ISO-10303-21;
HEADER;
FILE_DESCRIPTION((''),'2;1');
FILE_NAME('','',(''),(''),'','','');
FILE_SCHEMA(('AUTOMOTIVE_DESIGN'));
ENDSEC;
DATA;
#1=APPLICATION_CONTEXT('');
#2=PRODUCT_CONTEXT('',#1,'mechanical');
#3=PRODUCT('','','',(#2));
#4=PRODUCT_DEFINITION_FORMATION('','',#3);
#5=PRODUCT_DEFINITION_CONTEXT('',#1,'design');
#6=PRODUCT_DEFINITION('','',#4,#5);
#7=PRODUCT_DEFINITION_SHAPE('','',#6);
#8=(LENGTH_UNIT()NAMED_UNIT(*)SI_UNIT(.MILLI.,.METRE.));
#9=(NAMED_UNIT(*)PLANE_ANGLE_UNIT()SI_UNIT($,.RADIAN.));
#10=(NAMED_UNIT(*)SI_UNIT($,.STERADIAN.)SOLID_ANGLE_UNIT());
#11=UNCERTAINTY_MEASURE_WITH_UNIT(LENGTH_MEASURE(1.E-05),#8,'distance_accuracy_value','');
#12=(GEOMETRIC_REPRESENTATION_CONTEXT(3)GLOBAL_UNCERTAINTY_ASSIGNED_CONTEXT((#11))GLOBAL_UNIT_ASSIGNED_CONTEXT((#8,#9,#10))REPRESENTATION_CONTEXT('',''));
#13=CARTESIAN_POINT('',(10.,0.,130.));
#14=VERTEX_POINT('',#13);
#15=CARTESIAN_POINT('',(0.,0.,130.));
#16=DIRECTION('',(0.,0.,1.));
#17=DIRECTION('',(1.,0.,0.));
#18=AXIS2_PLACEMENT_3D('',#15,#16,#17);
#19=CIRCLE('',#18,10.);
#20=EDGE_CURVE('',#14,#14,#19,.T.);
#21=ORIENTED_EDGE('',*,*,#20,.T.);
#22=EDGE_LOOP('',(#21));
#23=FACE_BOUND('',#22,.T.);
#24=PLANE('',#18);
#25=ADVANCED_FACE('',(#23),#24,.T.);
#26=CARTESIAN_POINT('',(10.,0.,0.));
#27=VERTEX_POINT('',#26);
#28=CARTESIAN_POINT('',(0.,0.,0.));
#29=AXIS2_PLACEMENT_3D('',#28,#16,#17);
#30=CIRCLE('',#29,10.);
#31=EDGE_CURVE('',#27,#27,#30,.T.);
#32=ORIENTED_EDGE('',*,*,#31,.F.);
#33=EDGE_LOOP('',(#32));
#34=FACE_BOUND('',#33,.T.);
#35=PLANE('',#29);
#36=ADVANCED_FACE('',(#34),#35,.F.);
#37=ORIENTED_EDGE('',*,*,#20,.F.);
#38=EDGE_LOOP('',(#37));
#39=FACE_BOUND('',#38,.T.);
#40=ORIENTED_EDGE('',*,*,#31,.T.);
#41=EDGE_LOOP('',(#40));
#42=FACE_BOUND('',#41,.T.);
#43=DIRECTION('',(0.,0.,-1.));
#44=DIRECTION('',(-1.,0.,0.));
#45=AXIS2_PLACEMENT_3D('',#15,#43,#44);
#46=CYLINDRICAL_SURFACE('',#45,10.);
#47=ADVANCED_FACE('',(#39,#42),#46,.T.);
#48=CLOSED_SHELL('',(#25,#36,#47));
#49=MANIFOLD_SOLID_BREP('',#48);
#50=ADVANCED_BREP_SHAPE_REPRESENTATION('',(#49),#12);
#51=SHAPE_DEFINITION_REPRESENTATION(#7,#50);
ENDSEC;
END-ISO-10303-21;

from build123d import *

# Parameters (mm, degrees)
SKETCH_1_R      = 10
EXTRUDE_1_DEPTH = 130


with BuildPart() as part:
    # 草图1 → 凸台-拉伸1 (new body)
    with BuildSketch(Plane.XY):
        Circle(SKETCH_1_R)
    extrude(amount=EXTRUDE_1_DEPTH)


solid = part.part
